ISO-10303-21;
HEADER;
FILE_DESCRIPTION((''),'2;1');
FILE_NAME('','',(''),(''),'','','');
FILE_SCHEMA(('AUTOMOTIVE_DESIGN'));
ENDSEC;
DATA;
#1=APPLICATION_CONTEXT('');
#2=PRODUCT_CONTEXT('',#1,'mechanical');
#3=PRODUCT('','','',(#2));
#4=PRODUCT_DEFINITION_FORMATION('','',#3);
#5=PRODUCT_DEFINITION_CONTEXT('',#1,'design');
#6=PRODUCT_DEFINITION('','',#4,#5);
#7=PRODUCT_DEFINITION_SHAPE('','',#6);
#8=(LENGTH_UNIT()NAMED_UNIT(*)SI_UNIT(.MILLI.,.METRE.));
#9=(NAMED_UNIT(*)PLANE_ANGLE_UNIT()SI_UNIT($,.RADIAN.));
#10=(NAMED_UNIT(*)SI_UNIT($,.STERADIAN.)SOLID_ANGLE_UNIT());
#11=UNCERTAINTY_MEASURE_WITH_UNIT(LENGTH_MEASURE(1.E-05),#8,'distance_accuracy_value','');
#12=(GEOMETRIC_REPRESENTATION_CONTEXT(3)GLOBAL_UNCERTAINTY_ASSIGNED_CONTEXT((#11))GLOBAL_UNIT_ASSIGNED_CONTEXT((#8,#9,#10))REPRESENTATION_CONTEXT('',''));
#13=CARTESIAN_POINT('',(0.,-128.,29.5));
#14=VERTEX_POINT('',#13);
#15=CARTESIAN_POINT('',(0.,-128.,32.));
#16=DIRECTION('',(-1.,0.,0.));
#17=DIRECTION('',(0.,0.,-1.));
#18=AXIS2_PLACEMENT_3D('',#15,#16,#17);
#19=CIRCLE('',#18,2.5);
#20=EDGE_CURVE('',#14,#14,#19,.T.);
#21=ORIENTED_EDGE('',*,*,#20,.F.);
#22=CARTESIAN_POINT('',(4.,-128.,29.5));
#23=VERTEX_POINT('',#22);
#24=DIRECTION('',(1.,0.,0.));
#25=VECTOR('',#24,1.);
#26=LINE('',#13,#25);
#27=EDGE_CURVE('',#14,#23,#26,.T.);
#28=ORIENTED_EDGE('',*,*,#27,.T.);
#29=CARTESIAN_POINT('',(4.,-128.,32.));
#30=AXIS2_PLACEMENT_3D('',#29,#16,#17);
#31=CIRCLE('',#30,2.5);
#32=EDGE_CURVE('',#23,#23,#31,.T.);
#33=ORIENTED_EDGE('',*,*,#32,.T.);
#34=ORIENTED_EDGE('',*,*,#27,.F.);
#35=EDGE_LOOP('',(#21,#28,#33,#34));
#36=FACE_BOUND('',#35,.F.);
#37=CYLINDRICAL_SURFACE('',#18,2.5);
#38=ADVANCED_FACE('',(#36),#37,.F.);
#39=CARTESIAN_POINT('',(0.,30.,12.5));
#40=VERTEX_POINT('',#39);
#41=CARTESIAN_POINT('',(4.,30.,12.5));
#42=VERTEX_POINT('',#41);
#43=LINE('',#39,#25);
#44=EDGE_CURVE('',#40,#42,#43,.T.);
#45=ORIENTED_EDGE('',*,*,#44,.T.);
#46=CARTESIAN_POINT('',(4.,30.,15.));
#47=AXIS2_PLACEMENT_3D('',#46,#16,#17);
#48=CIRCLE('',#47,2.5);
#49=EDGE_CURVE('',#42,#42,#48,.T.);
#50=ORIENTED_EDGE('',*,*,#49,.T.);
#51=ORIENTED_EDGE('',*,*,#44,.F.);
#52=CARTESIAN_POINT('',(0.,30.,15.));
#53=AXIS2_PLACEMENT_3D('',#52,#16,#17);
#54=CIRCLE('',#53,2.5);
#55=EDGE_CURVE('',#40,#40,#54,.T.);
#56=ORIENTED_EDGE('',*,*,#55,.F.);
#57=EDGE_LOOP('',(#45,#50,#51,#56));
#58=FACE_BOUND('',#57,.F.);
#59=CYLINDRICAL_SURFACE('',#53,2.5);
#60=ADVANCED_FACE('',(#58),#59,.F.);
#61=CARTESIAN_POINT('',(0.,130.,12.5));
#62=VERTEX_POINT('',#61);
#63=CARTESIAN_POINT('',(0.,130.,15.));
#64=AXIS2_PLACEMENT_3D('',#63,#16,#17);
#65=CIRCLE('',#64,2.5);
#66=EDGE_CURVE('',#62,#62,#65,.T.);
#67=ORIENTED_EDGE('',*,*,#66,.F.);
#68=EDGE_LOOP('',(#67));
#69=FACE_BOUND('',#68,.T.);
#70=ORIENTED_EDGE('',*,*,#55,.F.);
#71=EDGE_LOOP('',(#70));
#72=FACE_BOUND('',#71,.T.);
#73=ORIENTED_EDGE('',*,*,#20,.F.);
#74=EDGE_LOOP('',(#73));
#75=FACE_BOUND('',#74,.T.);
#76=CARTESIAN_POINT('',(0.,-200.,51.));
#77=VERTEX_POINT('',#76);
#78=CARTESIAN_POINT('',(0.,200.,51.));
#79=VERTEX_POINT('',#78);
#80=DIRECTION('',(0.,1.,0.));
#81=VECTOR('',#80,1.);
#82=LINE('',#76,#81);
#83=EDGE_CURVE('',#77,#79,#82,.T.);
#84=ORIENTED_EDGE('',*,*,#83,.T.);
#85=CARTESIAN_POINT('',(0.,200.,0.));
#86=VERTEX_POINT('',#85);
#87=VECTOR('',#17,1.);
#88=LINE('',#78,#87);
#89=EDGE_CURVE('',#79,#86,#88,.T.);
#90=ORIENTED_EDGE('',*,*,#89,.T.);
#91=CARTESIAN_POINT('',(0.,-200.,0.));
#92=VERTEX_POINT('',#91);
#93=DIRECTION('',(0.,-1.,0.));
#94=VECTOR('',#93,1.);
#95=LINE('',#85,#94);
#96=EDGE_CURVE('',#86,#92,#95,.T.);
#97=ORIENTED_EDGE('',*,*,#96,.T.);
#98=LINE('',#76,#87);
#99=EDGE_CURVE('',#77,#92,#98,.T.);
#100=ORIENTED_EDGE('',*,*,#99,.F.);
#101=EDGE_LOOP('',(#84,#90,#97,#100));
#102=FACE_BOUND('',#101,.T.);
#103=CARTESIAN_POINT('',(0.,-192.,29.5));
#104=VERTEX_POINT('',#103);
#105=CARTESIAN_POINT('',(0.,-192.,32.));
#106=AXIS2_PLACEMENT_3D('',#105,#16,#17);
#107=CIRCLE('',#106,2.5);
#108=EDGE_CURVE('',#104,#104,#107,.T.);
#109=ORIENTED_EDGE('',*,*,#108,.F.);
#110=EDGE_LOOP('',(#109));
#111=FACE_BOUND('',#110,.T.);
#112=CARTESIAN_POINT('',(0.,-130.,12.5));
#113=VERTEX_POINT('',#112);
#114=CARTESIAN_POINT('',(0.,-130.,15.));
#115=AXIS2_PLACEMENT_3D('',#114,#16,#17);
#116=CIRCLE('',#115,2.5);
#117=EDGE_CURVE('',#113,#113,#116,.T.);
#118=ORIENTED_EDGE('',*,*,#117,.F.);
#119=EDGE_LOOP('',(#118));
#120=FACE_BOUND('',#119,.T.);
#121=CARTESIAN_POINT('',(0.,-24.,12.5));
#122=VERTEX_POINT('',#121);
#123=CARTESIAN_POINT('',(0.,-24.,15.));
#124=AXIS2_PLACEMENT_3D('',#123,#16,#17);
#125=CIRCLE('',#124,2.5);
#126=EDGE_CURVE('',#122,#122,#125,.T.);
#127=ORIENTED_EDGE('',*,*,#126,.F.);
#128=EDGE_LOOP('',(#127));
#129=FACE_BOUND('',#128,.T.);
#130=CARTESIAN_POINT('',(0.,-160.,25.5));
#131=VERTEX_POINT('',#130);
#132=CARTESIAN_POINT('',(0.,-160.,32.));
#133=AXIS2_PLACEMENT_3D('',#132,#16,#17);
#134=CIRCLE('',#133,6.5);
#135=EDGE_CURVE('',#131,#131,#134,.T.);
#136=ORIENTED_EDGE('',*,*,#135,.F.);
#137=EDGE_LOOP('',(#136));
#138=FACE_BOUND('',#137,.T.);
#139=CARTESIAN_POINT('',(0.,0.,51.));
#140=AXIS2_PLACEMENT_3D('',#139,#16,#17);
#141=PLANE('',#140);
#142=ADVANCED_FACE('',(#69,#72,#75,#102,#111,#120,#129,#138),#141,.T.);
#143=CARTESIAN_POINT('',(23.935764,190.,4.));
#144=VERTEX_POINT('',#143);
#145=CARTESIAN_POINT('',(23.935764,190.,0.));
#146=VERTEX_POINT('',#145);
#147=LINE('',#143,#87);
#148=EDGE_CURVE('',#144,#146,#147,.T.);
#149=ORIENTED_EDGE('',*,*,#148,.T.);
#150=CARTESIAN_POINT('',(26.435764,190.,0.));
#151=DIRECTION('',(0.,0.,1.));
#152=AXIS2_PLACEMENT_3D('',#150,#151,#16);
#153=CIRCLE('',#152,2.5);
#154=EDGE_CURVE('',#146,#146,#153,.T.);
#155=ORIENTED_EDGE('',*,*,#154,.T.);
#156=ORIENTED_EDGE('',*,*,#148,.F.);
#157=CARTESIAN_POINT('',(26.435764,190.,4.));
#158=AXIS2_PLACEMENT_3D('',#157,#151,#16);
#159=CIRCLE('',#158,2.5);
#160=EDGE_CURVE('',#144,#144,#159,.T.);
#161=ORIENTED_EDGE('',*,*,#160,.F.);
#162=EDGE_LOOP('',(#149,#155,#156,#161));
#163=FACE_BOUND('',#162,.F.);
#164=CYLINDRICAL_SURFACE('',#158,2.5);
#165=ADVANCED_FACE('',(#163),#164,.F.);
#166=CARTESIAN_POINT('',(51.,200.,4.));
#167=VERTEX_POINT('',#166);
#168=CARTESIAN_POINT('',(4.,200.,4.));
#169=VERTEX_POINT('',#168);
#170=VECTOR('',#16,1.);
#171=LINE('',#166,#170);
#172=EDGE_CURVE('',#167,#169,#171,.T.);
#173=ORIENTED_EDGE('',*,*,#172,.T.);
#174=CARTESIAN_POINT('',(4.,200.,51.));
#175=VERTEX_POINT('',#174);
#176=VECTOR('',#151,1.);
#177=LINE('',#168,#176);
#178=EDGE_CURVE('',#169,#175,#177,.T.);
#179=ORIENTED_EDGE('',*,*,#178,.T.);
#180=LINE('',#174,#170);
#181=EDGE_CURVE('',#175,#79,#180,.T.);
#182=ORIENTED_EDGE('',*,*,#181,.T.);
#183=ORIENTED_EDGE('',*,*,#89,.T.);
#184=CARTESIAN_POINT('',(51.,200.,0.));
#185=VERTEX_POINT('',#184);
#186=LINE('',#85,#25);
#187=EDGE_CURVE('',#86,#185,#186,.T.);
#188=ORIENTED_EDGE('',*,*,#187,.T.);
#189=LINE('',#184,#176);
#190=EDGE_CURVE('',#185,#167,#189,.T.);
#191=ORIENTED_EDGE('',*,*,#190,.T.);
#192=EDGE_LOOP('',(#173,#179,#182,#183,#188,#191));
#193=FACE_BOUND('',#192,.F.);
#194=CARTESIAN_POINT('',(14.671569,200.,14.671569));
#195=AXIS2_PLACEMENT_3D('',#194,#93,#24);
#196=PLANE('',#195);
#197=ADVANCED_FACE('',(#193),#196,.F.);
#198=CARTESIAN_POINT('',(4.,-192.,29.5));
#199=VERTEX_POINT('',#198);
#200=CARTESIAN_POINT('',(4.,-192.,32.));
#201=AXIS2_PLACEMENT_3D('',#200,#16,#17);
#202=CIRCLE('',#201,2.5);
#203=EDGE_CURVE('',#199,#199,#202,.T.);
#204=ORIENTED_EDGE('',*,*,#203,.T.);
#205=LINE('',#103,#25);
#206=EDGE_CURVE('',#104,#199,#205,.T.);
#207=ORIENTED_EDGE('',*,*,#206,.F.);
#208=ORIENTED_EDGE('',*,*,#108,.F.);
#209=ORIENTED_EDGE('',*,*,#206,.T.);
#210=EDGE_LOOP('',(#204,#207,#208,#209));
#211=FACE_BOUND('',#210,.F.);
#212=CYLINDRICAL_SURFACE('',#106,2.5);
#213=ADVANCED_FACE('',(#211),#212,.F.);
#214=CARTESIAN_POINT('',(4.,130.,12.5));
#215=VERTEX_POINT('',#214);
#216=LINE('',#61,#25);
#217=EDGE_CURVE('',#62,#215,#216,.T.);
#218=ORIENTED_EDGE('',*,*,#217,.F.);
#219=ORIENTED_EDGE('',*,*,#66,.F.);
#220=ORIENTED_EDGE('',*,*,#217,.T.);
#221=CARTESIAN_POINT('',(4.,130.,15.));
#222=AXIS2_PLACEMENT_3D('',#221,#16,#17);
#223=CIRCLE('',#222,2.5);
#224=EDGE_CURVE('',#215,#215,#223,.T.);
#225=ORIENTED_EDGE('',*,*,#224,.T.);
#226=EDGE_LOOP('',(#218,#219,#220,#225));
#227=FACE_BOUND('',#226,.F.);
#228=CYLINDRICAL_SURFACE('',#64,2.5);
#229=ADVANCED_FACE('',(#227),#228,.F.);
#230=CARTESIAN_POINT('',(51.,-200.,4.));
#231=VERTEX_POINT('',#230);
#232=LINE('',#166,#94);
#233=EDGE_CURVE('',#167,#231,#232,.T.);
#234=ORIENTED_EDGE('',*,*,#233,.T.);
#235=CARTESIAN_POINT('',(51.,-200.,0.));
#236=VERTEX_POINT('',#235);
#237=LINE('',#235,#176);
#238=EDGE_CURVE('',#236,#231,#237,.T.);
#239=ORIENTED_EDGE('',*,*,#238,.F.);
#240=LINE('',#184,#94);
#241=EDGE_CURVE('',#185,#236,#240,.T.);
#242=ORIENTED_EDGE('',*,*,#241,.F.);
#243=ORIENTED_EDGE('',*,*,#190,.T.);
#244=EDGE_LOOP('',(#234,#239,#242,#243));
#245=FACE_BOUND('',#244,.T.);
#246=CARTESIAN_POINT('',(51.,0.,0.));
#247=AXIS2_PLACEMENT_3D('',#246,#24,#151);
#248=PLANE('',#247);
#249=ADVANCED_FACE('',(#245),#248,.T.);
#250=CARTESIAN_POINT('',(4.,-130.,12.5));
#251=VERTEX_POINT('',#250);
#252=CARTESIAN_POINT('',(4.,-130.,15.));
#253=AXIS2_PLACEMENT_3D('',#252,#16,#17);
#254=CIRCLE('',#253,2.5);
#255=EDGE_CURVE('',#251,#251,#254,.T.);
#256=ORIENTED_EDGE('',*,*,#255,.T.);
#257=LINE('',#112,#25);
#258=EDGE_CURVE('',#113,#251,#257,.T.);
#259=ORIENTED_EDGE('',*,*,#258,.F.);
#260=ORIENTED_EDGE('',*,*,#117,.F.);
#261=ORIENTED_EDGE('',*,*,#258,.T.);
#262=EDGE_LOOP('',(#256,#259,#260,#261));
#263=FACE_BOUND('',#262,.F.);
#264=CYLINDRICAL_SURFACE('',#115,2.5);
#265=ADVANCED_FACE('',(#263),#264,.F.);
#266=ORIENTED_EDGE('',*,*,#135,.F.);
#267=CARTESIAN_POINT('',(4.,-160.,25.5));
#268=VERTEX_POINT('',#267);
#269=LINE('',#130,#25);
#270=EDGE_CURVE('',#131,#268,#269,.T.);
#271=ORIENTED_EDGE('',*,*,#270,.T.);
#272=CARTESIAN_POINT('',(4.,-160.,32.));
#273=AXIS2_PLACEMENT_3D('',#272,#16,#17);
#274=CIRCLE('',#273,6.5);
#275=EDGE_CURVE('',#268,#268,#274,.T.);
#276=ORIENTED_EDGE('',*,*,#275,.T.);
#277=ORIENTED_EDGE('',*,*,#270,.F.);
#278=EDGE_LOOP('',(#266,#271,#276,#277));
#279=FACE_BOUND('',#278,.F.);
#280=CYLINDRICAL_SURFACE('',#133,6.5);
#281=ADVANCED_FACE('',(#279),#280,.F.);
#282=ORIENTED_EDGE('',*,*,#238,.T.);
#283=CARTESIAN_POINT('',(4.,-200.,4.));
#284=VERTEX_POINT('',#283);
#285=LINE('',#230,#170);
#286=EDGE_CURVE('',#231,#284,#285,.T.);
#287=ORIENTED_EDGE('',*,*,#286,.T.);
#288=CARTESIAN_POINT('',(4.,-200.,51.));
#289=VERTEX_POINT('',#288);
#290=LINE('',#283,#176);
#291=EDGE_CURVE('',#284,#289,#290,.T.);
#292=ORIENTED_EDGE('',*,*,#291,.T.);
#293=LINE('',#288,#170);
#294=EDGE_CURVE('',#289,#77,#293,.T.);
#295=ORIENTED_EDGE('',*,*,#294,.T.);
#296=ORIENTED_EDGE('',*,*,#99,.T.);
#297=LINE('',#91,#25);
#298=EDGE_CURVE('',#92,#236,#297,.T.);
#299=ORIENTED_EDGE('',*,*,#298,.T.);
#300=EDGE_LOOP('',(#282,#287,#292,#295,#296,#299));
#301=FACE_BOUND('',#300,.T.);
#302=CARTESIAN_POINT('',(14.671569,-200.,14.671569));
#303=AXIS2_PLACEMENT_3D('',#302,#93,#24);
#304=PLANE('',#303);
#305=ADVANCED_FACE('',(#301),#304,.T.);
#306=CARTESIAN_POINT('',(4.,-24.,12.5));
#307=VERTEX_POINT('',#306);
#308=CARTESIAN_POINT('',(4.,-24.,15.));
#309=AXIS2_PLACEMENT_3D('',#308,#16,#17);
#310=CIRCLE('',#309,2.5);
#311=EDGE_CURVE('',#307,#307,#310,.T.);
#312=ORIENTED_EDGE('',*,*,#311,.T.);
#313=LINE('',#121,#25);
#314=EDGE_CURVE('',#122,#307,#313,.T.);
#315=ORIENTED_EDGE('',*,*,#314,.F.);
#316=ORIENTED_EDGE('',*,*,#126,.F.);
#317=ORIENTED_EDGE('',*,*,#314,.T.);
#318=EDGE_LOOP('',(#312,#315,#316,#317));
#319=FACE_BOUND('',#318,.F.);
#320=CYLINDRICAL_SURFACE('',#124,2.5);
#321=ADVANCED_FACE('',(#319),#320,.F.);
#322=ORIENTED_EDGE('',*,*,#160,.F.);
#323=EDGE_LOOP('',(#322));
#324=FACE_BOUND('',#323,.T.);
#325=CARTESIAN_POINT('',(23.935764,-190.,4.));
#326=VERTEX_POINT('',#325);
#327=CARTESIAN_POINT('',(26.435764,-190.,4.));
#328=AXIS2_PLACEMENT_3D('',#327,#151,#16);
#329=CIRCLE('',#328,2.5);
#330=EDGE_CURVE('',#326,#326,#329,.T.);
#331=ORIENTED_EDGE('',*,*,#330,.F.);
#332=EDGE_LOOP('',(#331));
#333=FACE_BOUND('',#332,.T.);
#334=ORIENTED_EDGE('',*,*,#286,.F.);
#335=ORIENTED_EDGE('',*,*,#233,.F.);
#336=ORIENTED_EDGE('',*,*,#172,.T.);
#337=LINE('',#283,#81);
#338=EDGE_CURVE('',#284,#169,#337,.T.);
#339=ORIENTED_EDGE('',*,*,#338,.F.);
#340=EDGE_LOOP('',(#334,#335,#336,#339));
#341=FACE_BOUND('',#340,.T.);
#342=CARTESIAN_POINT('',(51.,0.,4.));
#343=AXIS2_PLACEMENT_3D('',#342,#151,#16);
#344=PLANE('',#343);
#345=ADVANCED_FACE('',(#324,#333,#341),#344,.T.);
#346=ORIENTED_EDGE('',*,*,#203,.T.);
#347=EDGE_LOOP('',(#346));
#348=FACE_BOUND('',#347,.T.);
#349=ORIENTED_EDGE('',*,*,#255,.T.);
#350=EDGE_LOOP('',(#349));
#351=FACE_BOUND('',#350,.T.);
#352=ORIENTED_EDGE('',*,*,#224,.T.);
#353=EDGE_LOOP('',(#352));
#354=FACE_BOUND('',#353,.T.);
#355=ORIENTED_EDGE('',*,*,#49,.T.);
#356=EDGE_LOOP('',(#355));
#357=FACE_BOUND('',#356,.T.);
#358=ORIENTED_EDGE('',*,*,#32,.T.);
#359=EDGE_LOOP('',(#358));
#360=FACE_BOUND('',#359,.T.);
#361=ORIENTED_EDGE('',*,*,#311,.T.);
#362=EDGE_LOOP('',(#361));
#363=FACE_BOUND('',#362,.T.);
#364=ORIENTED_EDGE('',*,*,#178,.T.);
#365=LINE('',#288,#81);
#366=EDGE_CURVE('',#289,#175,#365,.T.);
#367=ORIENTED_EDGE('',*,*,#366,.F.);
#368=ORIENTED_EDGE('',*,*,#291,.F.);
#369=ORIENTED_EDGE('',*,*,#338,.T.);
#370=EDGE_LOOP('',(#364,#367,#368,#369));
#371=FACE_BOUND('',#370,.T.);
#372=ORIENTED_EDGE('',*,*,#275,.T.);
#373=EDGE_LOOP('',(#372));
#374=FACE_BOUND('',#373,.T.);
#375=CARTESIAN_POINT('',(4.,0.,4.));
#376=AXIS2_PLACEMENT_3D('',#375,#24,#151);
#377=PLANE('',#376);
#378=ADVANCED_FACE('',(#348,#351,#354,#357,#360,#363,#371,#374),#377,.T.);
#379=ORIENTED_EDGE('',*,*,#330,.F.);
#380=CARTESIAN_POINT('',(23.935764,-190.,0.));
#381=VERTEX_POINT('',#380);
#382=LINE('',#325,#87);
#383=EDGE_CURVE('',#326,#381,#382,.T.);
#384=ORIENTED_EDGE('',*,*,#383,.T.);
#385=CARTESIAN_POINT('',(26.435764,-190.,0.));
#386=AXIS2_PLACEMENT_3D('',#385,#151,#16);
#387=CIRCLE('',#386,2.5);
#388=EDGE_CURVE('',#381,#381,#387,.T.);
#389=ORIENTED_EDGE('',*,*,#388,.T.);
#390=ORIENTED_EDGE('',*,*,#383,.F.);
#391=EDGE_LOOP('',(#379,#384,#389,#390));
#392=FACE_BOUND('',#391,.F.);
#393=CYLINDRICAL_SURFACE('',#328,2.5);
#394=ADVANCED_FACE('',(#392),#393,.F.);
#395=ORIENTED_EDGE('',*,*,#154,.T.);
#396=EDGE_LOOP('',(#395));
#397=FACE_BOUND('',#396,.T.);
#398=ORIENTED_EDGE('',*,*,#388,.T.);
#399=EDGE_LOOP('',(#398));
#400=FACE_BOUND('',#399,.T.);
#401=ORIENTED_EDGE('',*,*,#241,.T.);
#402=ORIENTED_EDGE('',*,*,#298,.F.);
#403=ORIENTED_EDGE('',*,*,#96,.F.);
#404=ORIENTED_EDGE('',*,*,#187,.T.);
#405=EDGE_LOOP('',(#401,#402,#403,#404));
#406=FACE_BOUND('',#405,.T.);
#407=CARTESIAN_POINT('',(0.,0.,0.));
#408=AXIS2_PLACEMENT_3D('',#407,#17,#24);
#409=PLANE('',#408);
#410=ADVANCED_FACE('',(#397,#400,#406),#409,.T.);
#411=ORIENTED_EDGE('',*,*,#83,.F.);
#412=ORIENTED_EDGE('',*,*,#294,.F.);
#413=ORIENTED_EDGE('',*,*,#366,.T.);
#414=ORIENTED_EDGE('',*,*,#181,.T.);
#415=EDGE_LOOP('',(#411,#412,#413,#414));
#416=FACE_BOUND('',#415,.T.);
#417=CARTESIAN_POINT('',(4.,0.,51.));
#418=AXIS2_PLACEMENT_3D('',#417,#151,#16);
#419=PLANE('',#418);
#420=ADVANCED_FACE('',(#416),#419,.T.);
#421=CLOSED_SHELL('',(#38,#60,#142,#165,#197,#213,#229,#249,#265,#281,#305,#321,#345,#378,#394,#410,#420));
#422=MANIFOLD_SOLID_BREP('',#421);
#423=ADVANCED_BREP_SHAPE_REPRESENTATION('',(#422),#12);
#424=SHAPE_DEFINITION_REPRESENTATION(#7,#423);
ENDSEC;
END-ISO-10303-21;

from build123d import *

# Parameters (mm, degrees)
PAD_DEPTH         = 200
SKETCH001_R       = 2.5
POCKET_DEPTH      = 4.001
POCKET_DEPTH_BACK = -47.001
SKETCH003_R       = 2.5
SKETCH003_R_2     = 6.5
POCKET001_DEPTH   = 51.001


with BuildPart() as part:
    # Sketch → Pad (new body, symmetric)
    with BuildSketch(Plane.XZ):
        Polygon((0, 51), (0, 0), (51, 0), (51, 4), (4, 4), (4, 51), align=None)
    extrude(amount=PAD_DEPTH, both=True)

    # Sketch001 → Pocket (cut, two sides)
    with BuildSketch(Plane(origin=(0, 0, 4), x_dir=(-1, 0, 0), z_dir=(0, 0, 1))) as pocket_sk:
        with Locations((-26.435764, 190)):
            Circle(SKETCH001_R)
        with Locations((-26.435764, -190)):
            Circle(SKETCH001_R)
    extrude(amount=-POCKET_DEPTH, mode=Mode.SUBTRACT)
    extrude(pocket_sk.sketch, amount=-POCKET_DEPTH_BACK, mode=Mode.SUBTRACT)

    # Sketch003 → Pocket001 (cut, through all)
    with BuildSketch(Plane(origin=(0, 0, 0), x_dir=(0, 0, -1), z_dir=(-1, 0, 0))):
        with Locations((-15, 130)):
            Circle(SKETCH003_R)
        with Locations((-15, -130)):
            Circle(SKETCH003_R)
        with Locations((-15, -30)):
            Circle(SKETCH003_R)
        with Locations((-15, 24)):
            Circle(SKETCH003_R)
        with Locations((-32, 160)):
            Circle(SKETCH003_R_2)
        with Locations((-32, 192)):
            Circle(SKETCH003_R)
        with Locations((-32, 128)):
            Circle(SKETCH003_R)
    extrude(amount=-POCKET001_DEPTH, mode=Mode.SUBTRACT)


solid = part.part
